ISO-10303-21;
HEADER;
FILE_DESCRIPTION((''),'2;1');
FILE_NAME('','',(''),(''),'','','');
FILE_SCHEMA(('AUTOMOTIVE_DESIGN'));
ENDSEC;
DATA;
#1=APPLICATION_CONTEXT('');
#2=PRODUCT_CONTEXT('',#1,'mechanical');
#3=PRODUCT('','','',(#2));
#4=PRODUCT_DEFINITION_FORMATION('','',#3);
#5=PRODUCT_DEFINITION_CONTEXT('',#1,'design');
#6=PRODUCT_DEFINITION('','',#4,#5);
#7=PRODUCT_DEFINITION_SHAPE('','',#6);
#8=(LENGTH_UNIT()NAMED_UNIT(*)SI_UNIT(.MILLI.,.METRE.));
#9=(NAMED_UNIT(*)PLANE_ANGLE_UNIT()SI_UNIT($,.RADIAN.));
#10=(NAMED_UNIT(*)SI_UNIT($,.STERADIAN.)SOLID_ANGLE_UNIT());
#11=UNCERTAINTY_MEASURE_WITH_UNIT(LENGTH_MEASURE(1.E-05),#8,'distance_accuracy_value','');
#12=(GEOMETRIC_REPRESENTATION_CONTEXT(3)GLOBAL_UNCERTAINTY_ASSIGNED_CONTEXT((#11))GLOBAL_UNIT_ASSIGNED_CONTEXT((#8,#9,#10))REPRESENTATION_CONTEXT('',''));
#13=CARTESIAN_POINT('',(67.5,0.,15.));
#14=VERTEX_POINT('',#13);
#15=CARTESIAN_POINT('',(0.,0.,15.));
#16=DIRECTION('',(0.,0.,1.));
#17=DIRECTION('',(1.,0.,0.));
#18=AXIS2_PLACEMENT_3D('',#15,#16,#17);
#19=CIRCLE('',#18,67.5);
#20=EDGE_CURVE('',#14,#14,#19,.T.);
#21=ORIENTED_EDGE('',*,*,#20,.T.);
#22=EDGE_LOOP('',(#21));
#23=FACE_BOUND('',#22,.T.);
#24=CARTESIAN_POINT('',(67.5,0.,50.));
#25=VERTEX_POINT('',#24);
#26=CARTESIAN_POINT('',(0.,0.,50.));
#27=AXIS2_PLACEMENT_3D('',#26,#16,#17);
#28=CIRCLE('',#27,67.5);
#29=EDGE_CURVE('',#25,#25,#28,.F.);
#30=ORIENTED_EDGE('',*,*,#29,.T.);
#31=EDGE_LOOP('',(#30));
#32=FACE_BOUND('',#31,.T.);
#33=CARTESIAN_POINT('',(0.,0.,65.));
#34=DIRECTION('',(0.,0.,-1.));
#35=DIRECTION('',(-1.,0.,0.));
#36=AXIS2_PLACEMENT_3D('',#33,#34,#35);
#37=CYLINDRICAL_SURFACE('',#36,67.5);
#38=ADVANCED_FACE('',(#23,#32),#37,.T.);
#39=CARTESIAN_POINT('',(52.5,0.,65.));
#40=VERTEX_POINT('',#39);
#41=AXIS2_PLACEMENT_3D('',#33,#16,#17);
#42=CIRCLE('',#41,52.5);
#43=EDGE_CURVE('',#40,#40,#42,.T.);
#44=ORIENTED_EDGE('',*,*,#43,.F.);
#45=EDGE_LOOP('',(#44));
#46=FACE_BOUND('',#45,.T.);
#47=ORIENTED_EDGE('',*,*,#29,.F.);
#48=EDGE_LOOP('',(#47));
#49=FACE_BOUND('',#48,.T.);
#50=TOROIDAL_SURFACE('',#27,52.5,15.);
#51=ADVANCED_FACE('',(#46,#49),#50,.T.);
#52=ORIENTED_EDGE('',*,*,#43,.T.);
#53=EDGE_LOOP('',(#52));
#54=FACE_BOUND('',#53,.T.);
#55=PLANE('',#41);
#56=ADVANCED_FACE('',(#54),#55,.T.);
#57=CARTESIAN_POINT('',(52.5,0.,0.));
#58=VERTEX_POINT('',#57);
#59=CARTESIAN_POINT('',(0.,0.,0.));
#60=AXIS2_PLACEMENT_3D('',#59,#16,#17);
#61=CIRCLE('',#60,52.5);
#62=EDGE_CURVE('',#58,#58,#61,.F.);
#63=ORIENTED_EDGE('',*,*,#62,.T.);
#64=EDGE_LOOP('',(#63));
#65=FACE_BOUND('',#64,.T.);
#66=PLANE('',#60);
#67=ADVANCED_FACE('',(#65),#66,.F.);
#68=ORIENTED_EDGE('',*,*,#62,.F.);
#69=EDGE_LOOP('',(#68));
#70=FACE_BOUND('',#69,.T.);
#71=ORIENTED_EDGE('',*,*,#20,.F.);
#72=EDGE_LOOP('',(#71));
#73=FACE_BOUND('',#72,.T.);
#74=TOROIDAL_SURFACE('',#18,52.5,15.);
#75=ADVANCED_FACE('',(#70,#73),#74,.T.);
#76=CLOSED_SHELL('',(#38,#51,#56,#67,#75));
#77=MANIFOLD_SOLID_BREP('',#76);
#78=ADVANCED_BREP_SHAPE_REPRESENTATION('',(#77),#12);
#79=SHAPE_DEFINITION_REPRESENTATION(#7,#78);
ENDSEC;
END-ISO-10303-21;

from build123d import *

# Parameters (mm, degrees)
ESQUISSE1_R        = 67.5
BOSS_EXTRU_1_DEPTH = 65
CONG_1_R           = 15


with BuildPart() as part:
    # Esquisse1 → Boss.-Extru.1 (new body)
    with BuildSketch(Plane.XY):
        Circle(ESQUISSE1_R)
    extrude(amount=BOSS_EXTRU_1_DEPTH)

    # Congé1
    cong_1_edges = [part.edges().sort_by_distance(p)[0] for p in [
        (-67.5, 0, 0),
        (-67.5, 0, 65),
    ]]
    fillet(cong_1_edges, radius=CONG_1_R)


solid = part.part
